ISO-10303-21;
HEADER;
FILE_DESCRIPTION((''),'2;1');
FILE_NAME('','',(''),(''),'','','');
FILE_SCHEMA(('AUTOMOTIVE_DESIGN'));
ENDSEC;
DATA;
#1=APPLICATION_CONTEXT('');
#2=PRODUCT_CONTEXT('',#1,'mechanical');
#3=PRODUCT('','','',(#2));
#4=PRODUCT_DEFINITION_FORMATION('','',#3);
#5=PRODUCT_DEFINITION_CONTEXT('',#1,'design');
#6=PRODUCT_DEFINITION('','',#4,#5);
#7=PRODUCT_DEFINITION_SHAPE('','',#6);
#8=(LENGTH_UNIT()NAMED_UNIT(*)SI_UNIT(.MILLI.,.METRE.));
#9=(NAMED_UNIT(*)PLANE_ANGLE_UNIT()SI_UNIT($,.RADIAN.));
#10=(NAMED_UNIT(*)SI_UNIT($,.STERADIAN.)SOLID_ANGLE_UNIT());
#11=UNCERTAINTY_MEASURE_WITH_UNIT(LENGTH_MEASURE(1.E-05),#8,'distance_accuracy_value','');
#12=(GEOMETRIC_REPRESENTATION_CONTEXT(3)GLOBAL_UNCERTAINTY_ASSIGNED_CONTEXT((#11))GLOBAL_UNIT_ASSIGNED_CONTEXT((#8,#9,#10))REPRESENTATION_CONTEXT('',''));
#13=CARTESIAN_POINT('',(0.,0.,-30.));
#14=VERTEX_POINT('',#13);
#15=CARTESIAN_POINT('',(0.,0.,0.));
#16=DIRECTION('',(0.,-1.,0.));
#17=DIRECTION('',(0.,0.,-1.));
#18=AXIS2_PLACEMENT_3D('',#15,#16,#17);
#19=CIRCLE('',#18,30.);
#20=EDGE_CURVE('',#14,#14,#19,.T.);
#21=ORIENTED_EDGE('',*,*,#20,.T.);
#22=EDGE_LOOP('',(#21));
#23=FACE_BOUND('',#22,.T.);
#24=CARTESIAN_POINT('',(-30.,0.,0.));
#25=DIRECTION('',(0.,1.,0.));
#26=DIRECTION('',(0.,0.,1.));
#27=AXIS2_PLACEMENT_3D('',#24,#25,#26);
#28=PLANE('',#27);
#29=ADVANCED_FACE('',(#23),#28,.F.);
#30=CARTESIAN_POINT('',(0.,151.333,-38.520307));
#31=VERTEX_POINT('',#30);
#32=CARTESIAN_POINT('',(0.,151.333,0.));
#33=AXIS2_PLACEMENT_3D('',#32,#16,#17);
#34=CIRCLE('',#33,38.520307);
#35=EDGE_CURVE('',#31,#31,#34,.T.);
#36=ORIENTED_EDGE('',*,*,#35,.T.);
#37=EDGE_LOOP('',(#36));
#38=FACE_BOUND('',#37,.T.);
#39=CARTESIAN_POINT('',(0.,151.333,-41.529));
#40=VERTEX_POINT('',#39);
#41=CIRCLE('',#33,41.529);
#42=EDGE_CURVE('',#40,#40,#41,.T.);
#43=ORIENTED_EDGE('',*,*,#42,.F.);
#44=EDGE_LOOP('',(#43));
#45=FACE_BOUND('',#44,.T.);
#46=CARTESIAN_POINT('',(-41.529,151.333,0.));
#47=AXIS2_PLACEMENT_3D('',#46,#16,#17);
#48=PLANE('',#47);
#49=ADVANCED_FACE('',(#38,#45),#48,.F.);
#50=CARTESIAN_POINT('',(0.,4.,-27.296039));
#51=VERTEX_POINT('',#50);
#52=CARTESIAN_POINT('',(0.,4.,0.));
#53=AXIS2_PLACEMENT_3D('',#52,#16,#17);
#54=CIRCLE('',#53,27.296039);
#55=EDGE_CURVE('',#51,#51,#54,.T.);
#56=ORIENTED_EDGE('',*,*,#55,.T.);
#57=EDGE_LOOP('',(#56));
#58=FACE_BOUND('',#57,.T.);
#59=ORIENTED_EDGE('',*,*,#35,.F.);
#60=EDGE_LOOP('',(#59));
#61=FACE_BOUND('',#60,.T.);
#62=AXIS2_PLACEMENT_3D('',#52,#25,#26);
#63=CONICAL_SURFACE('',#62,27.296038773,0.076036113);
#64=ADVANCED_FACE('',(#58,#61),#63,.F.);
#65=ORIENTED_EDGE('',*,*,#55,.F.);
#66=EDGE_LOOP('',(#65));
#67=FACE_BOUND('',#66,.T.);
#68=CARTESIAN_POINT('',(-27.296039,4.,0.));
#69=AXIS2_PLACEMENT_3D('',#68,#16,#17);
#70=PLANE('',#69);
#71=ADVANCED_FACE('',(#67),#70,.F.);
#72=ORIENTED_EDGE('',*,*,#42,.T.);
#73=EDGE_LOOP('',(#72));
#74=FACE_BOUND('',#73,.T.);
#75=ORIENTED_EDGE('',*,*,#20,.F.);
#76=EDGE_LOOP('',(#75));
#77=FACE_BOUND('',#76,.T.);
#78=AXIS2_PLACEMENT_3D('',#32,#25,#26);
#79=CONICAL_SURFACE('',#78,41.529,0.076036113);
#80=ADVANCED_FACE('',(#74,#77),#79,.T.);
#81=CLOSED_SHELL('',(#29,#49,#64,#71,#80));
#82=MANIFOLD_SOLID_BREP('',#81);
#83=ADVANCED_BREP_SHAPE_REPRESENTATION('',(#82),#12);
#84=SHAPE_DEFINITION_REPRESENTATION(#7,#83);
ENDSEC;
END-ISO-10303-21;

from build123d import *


with BuildPart() as part:
    # Sketch1 → Revolve1 (revolve)
    with BuildSketch(Plane.XY, mode=Mode.PRIVATE) as revolve1_sk:
        Polygon((-41.529, 151.333), (-30, 0), (0, 0), (0, 4), (-27.296038773, 4), (-38.520306824, 151.333), align=None)
    revolve(revolve1_sk.sketch.rotate(Axis((0, 0, 0), (0, 1, 0)), 270), axis=Axis((0, 0, 0), (0, 1, 0)))


solid = part.part
